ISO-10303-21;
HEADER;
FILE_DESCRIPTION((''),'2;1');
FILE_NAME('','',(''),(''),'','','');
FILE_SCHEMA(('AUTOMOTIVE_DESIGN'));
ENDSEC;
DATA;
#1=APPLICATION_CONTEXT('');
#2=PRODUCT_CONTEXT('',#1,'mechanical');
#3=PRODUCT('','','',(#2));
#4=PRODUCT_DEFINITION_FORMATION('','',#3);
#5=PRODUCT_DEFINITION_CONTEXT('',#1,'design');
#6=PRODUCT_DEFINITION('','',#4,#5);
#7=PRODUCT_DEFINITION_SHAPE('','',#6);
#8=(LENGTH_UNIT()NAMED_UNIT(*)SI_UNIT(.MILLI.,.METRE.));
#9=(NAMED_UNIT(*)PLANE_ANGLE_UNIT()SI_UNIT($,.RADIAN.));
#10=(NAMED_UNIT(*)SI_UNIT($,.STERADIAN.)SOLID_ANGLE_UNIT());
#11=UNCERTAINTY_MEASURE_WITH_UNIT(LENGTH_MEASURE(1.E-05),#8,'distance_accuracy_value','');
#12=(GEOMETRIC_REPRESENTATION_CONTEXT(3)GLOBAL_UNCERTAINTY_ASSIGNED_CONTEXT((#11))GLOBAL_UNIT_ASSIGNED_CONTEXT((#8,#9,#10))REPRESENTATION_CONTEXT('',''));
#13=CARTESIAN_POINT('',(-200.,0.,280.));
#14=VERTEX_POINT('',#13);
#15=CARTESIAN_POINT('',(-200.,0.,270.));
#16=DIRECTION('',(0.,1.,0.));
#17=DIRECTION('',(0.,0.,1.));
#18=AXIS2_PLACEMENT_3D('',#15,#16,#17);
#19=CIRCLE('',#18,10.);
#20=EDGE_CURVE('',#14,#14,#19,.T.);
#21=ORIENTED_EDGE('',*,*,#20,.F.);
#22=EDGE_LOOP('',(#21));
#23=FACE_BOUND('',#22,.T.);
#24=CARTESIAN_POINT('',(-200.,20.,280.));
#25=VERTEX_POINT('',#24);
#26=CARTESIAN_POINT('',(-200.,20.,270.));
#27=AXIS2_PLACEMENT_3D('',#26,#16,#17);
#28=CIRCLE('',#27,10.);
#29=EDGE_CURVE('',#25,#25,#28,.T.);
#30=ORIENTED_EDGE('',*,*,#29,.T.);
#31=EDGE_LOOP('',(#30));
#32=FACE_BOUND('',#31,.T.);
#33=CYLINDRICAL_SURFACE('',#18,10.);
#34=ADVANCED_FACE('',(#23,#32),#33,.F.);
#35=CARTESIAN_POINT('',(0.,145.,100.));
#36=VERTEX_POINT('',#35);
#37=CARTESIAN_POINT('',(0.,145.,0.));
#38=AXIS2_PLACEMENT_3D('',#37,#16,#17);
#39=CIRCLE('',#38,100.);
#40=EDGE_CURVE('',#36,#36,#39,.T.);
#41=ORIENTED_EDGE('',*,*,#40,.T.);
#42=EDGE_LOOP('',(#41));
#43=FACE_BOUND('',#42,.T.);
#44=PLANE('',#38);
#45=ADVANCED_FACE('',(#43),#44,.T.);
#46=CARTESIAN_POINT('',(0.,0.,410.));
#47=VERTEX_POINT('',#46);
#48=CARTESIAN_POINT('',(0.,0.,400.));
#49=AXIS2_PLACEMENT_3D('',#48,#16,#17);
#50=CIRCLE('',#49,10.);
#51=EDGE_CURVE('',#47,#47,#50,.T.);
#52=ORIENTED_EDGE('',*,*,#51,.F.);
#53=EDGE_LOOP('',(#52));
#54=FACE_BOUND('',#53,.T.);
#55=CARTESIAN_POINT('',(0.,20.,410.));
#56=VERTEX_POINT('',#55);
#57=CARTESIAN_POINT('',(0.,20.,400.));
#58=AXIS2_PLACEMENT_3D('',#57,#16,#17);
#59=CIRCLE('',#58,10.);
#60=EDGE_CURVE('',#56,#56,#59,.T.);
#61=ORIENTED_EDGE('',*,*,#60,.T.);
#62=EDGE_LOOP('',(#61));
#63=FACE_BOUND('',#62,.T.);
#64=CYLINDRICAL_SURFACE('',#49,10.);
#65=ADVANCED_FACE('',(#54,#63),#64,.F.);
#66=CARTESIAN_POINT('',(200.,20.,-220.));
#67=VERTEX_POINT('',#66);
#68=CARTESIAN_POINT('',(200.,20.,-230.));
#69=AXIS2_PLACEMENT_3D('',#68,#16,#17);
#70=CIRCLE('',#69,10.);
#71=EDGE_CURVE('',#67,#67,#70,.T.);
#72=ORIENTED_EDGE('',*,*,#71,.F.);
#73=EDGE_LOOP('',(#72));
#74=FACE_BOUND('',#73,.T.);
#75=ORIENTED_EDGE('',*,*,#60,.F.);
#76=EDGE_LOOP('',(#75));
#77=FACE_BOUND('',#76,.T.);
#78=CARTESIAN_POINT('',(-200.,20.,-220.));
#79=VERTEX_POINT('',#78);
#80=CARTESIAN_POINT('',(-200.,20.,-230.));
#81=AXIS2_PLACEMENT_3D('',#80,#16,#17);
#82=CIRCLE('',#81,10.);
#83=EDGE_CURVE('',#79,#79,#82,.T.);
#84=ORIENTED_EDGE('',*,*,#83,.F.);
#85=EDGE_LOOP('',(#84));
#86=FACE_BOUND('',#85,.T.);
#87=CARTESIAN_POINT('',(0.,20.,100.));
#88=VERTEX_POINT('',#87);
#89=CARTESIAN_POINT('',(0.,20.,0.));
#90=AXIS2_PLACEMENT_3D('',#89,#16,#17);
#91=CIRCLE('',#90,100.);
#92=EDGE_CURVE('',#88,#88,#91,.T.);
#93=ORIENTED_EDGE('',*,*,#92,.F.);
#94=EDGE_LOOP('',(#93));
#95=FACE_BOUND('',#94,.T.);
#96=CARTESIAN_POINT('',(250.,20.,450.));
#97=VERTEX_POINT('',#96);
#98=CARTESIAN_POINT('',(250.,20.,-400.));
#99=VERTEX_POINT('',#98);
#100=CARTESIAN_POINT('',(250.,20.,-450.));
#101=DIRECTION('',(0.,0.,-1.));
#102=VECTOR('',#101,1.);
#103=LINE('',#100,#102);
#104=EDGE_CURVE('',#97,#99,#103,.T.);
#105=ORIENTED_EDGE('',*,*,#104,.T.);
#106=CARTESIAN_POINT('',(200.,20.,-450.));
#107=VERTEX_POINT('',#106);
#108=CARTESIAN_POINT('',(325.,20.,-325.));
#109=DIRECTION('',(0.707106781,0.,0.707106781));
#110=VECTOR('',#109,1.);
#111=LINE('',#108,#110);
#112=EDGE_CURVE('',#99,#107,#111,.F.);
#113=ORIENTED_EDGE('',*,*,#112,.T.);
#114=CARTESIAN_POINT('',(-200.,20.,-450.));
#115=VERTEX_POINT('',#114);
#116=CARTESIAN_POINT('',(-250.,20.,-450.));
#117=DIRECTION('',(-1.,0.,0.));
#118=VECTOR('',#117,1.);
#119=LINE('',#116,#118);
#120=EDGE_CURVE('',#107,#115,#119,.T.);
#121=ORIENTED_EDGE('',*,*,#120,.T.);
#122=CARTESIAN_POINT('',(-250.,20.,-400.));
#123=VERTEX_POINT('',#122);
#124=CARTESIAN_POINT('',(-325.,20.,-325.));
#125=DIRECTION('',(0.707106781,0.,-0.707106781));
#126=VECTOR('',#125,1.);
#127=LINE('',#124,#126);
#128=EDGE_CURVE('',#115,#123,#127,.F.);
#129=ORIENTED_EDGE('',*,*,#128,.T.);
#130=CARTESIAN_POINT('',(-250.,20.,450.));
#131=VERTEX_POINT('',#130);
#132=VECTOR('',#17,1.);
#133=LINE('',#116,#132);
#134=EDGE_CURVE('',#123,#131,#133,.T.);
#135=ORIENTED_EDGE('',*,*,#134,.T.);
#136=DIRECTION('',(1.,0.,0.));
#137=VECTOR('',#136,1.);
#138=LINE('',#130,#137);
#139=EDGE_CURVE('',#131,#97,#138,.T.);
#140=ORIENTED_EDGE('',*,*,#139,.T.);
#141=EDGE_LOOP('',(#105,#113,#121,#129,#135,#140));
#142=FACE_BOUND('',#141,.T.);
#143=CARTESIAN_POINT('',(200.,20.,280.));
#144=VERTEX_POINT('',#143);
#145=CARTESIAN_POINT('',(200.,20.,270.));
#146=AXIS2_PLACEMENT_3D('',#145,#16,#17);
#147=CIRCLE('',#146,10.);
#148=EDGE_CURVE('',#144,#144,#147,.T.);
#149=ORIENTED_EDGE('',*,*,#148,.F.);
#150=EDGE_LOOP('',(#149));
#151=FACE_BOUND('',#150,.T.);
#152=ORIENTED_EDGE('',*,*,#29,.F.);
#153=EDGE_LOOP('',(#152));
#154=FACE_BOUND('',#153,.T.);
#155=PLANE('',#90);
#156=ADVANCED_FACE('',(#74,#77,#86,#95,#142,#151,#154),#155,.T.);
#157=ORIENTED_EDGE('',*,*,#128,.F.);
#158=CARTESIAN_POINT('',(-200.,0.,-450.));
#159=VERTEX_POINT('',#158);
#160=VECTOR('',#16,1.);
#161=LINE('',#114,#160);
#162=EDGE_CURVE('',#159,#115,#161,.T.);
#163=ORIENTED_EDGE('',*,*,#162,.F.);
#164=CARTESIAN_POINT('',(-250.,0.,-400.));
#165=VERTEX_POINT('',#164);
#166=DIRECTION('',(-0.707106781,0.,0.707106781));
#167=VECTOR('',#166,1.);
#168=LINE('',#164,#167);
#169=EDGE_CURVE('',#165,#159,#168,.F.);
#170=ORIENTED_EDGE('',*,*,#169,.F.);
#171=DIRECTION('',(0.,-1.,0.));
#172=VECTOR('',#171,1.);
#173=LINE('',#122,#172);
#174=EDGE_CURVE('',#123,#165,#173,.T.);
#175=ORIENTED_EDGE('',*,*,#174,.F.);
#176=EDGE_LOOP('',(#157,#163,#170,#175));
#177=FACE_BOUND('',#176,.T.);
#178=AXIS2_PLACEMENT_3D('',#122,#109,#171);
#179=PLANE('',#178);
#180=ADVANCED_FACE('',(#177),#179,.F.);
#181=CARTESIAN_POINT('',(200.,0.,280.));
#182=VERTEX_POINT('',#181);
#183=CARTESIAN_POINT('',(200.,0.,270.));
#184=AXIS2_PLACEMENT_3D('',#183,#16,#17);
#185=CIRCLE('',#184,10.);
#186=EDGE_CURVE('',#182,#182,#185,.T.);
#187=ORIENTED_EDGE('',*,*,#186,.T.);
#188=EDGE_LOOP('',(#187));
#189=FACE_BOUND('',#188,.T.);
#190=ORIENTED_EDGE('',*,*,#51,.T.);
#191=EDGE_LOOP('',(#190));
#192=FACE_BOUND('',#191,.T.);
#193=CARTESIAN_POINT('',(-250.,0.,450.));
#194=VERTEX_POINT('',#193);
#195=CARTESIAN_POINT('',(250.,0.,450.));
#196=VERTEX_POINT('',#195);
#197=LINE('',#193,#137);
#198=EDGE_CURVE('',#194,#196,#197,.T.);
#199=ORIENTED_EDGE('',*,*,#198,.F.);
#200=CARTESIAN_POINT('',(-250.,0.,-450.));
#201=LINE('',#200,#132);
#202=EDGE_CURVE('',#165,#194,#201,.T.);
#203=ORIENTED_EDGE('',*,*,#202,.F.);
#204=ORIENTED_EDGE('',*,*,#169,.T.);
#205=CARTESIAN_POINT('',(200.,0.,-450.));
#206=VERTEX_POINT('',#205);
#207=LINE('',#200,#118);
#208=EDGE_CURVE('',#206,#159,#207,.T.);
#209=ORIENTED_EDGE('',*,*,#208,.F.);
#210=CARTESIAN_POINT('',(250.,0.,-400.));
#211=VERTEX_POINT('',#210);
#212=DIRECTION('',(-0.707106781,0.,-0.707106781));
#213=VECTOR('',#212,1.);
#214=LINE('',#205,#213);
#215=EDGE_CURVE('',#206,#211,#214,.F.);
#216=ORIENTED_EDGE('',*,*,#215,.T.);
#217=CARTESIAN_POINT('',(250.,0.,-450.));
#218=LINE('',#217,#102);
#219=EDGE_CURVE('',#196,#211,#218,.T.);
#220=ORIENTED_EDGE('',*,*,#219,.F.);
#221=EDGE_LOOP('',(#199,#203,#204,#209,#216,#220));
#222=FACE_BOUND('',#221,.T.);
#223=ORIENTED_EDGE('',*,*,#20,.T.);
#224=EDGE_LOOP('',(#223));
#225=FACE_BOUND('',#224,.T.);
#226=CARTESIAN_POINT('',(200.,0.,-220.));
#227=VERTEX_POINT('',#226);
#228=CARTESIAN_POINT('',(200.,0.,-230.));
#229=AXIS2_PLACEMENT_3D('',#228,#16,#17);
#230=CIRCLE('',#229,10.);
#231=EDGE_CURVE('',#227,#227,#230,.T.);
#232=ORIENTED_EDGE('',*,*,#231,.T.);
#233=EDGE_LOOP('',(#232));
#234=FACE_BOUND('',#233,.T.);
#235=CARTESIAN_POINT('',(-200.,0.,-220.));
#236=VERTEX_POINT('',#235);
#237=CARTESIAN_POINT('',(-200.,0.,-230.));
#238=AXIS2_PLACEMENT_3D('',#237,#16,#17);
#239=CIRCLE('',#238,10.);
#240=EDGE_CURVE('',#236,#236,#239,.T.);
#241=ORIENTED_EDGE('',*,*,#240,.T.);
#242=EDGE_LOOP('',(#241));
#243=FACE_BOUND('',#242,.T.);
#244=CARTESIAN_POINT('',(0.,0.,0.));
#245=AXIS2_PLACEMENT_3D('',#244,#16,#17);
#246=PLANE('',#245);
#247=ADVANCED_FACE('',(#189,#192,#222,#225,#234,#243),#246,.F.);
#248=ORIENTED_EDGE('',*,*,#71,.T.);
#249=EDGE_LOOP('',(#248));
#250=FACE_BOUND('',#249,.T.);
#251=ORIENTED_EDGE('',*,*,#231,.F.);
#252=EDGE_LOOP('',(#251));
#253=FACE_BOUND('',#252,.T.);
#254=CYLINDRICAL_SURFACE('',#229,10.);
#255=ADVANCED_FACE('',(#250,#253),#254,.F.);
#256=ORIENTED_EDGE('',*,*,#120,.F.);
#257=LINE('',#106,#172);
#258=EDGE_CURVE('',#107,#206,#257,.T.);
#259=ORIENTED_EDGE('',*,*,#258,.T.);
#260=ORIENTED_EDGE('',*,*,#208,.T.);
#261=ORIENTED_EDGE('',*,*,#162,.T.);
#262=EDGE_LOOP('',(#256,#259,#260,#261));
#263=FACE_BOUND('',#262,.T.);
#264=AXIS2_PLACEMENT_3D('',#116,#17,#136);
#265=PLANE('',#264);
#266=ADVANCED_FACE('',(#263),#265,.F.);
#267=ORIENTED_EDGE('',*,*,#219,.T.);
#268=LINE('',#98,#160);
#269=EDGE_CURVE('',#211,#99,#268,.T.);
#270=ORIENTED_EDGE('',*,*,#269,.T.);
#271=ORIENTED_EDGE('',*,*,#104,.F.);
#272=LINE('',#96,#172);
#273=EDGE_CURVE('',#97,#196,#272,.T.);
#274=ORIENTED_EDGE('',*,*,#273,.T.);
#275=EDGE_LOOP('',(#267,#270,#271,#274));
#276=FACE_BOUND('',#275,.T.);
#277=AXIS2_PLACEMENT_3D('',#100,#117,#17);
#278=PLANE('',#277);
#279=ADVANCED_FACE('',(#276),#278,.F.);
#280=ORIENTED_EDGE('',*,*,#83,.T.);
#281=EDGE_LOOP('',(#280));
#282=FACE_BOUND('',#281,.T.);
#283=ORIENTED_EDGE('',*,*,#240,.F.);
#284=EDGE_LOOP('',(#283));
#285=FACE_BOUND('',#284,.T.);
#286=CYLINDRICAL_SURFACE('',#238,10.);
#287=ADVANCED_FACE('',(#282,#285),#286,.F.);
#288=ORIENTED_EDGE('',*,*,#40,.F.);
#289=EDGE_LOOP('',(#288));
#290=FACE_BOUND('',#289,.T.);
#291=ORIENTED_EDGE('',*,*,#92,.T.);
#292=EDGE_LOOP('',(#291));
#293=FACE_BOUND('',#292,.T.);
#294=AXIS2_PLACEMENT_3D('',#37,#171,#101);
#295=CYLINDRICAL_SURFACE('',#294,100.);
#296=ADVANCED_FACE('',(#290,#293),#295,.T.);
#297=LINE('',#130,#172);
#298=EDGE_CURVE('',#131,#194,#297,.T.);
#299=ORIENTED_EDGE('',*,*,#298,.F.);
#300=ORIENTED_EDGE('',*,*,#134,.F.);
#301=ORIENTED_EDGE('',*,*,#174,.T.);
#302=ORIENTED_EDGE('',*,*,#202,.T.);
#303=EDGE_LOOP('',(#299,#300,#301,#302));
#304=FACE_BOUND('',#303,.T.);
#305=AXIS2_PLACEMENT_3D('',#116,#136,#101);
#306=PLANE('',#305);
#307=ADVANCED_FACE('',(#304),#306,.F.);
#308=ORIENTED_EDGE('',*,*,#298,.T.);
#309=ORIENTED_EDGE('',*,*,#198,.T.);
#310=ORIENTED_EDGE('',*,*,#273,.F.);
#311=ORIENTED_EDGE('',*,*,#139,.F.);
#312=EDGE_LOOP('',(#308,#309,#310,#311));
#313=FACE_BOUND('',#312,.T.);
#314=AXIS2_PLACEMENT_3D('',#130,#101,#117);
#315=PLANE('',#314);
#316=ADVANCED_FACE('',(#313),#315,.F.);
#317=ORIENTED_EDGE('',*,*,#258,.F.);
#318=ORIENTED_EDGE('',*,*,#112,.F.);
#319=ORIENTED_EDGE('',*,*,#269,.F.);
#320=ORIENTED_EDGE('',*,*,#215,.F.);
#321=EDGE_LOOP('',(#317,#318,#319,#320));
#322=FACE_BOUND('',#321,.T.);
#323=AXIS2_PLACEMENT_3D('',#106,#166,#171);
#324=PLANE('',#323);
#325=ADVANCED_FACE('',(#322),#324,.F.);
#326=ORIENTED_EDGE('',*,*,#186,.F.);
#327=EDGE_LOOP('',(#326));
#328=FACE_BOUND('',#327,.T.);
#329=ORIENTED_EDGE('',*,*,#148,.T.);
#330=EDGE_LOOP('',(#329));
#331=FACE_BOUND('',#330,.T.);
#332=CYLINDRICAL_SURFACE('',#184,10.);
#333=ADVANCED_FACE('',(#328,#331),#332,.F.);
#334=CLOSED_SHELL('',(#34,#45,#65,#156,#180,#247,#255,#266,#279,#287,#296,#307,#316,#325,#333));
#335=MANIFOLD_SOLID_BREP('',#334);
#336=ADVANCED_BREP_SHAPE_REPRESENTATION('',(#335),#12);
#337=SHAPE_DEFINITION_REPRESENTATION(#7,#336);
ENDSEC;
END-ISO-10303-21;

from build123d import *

# Parameters (mm, degrees)
SKETCH1_W           = 500
SKETCH1_H           = 900
BOSS_EXTRUDE1_DEPTH = 20
CHAMFER1_SIZE       = 50
SKETCH2_R           = 10
CUT_EXTRUDE1_DEPTH  = 516.169874896
SKETCH3_R           = 100
BOSS_EXTRUDE2_DEPTH = 125
SKETCH4_R           = 10
CUT_EXTRUDE2_DEPTH  = 530.74050251


with BuildPart() as part:
    # Sketch1 → Boss-Extrude1 (new body)
    with BuildSketch(Plane(origin=(0, 0, 0), x_dir=(1, 0, 0), z_dir=(0, 1, 0))):
        Rectangle(SKETCH1_W, SKETCH1_H)
    extrude(amount=BOSS_EXTRUDE1_DEPTH)

    # Chamfer1
    chamfer1_edges = [part.edges().sort_by_distance(p)[0] for p in [
        (-250, 10, -450),
        (250, 10, -450),
    ]]
    chamfer(chamfer1_edges, length=CHAMFER1_SIZE)

    # Sketch2 → Cut-Extrude1 (cut, through all)
    with BuildSketch(Plane(origin=(0, 20, 0), x_dir=(1, 0, 0), z_dir=(0, 1, 0))):
        with Locations(Location((200, 230, 0), (0, 0, 270))):
            Circle(SKETCH2_R)
        with Locations(Location((-200, 230, 0), (0, 0, 270))):
            Circle(SKETCH2_R)
        with Locations(Location((200, -270, 0), (0, 0, 270))):
            Circle(SKETCH2_R)
        with Locations(Location((-200, -270, 0), (0, 0, 270))):
            Circle(SKETCH2_R)
    extrude(amount=-CUT_EXTRUDE1_DEPTH, mode=Mode.SUBTRACT)

    # Sketch3 → Boss-Extrude2 (add)
    with BuildSketch(Plane(origin=(0, 20, 0), x_dir=(1, 0, 0), z_dir=(0, 1, 0))):
        with Locations(Location((0, 0, 0), (0, 0, 270))):
            Circle(SKETCH3_R)
    extrude(amount=BOSS_EXTRUDE2_DEPTH)

    # Sketch4 → Cut-Extrude2 (cut, through all)
    with BuildSketch(Plane(origin=(0, 20, 0), x_dir=(1, 0, 0), z_dir=(0, 1, 0))):
        with Locations(Location((0, -400, 0), (0, 0, 270))):
            Circle(SKETCH4_R)
    extrude(amount=-CUT_EXTRUDE2_DEPTH, mode=Mode.SUBTRACT)


solid = part.part
